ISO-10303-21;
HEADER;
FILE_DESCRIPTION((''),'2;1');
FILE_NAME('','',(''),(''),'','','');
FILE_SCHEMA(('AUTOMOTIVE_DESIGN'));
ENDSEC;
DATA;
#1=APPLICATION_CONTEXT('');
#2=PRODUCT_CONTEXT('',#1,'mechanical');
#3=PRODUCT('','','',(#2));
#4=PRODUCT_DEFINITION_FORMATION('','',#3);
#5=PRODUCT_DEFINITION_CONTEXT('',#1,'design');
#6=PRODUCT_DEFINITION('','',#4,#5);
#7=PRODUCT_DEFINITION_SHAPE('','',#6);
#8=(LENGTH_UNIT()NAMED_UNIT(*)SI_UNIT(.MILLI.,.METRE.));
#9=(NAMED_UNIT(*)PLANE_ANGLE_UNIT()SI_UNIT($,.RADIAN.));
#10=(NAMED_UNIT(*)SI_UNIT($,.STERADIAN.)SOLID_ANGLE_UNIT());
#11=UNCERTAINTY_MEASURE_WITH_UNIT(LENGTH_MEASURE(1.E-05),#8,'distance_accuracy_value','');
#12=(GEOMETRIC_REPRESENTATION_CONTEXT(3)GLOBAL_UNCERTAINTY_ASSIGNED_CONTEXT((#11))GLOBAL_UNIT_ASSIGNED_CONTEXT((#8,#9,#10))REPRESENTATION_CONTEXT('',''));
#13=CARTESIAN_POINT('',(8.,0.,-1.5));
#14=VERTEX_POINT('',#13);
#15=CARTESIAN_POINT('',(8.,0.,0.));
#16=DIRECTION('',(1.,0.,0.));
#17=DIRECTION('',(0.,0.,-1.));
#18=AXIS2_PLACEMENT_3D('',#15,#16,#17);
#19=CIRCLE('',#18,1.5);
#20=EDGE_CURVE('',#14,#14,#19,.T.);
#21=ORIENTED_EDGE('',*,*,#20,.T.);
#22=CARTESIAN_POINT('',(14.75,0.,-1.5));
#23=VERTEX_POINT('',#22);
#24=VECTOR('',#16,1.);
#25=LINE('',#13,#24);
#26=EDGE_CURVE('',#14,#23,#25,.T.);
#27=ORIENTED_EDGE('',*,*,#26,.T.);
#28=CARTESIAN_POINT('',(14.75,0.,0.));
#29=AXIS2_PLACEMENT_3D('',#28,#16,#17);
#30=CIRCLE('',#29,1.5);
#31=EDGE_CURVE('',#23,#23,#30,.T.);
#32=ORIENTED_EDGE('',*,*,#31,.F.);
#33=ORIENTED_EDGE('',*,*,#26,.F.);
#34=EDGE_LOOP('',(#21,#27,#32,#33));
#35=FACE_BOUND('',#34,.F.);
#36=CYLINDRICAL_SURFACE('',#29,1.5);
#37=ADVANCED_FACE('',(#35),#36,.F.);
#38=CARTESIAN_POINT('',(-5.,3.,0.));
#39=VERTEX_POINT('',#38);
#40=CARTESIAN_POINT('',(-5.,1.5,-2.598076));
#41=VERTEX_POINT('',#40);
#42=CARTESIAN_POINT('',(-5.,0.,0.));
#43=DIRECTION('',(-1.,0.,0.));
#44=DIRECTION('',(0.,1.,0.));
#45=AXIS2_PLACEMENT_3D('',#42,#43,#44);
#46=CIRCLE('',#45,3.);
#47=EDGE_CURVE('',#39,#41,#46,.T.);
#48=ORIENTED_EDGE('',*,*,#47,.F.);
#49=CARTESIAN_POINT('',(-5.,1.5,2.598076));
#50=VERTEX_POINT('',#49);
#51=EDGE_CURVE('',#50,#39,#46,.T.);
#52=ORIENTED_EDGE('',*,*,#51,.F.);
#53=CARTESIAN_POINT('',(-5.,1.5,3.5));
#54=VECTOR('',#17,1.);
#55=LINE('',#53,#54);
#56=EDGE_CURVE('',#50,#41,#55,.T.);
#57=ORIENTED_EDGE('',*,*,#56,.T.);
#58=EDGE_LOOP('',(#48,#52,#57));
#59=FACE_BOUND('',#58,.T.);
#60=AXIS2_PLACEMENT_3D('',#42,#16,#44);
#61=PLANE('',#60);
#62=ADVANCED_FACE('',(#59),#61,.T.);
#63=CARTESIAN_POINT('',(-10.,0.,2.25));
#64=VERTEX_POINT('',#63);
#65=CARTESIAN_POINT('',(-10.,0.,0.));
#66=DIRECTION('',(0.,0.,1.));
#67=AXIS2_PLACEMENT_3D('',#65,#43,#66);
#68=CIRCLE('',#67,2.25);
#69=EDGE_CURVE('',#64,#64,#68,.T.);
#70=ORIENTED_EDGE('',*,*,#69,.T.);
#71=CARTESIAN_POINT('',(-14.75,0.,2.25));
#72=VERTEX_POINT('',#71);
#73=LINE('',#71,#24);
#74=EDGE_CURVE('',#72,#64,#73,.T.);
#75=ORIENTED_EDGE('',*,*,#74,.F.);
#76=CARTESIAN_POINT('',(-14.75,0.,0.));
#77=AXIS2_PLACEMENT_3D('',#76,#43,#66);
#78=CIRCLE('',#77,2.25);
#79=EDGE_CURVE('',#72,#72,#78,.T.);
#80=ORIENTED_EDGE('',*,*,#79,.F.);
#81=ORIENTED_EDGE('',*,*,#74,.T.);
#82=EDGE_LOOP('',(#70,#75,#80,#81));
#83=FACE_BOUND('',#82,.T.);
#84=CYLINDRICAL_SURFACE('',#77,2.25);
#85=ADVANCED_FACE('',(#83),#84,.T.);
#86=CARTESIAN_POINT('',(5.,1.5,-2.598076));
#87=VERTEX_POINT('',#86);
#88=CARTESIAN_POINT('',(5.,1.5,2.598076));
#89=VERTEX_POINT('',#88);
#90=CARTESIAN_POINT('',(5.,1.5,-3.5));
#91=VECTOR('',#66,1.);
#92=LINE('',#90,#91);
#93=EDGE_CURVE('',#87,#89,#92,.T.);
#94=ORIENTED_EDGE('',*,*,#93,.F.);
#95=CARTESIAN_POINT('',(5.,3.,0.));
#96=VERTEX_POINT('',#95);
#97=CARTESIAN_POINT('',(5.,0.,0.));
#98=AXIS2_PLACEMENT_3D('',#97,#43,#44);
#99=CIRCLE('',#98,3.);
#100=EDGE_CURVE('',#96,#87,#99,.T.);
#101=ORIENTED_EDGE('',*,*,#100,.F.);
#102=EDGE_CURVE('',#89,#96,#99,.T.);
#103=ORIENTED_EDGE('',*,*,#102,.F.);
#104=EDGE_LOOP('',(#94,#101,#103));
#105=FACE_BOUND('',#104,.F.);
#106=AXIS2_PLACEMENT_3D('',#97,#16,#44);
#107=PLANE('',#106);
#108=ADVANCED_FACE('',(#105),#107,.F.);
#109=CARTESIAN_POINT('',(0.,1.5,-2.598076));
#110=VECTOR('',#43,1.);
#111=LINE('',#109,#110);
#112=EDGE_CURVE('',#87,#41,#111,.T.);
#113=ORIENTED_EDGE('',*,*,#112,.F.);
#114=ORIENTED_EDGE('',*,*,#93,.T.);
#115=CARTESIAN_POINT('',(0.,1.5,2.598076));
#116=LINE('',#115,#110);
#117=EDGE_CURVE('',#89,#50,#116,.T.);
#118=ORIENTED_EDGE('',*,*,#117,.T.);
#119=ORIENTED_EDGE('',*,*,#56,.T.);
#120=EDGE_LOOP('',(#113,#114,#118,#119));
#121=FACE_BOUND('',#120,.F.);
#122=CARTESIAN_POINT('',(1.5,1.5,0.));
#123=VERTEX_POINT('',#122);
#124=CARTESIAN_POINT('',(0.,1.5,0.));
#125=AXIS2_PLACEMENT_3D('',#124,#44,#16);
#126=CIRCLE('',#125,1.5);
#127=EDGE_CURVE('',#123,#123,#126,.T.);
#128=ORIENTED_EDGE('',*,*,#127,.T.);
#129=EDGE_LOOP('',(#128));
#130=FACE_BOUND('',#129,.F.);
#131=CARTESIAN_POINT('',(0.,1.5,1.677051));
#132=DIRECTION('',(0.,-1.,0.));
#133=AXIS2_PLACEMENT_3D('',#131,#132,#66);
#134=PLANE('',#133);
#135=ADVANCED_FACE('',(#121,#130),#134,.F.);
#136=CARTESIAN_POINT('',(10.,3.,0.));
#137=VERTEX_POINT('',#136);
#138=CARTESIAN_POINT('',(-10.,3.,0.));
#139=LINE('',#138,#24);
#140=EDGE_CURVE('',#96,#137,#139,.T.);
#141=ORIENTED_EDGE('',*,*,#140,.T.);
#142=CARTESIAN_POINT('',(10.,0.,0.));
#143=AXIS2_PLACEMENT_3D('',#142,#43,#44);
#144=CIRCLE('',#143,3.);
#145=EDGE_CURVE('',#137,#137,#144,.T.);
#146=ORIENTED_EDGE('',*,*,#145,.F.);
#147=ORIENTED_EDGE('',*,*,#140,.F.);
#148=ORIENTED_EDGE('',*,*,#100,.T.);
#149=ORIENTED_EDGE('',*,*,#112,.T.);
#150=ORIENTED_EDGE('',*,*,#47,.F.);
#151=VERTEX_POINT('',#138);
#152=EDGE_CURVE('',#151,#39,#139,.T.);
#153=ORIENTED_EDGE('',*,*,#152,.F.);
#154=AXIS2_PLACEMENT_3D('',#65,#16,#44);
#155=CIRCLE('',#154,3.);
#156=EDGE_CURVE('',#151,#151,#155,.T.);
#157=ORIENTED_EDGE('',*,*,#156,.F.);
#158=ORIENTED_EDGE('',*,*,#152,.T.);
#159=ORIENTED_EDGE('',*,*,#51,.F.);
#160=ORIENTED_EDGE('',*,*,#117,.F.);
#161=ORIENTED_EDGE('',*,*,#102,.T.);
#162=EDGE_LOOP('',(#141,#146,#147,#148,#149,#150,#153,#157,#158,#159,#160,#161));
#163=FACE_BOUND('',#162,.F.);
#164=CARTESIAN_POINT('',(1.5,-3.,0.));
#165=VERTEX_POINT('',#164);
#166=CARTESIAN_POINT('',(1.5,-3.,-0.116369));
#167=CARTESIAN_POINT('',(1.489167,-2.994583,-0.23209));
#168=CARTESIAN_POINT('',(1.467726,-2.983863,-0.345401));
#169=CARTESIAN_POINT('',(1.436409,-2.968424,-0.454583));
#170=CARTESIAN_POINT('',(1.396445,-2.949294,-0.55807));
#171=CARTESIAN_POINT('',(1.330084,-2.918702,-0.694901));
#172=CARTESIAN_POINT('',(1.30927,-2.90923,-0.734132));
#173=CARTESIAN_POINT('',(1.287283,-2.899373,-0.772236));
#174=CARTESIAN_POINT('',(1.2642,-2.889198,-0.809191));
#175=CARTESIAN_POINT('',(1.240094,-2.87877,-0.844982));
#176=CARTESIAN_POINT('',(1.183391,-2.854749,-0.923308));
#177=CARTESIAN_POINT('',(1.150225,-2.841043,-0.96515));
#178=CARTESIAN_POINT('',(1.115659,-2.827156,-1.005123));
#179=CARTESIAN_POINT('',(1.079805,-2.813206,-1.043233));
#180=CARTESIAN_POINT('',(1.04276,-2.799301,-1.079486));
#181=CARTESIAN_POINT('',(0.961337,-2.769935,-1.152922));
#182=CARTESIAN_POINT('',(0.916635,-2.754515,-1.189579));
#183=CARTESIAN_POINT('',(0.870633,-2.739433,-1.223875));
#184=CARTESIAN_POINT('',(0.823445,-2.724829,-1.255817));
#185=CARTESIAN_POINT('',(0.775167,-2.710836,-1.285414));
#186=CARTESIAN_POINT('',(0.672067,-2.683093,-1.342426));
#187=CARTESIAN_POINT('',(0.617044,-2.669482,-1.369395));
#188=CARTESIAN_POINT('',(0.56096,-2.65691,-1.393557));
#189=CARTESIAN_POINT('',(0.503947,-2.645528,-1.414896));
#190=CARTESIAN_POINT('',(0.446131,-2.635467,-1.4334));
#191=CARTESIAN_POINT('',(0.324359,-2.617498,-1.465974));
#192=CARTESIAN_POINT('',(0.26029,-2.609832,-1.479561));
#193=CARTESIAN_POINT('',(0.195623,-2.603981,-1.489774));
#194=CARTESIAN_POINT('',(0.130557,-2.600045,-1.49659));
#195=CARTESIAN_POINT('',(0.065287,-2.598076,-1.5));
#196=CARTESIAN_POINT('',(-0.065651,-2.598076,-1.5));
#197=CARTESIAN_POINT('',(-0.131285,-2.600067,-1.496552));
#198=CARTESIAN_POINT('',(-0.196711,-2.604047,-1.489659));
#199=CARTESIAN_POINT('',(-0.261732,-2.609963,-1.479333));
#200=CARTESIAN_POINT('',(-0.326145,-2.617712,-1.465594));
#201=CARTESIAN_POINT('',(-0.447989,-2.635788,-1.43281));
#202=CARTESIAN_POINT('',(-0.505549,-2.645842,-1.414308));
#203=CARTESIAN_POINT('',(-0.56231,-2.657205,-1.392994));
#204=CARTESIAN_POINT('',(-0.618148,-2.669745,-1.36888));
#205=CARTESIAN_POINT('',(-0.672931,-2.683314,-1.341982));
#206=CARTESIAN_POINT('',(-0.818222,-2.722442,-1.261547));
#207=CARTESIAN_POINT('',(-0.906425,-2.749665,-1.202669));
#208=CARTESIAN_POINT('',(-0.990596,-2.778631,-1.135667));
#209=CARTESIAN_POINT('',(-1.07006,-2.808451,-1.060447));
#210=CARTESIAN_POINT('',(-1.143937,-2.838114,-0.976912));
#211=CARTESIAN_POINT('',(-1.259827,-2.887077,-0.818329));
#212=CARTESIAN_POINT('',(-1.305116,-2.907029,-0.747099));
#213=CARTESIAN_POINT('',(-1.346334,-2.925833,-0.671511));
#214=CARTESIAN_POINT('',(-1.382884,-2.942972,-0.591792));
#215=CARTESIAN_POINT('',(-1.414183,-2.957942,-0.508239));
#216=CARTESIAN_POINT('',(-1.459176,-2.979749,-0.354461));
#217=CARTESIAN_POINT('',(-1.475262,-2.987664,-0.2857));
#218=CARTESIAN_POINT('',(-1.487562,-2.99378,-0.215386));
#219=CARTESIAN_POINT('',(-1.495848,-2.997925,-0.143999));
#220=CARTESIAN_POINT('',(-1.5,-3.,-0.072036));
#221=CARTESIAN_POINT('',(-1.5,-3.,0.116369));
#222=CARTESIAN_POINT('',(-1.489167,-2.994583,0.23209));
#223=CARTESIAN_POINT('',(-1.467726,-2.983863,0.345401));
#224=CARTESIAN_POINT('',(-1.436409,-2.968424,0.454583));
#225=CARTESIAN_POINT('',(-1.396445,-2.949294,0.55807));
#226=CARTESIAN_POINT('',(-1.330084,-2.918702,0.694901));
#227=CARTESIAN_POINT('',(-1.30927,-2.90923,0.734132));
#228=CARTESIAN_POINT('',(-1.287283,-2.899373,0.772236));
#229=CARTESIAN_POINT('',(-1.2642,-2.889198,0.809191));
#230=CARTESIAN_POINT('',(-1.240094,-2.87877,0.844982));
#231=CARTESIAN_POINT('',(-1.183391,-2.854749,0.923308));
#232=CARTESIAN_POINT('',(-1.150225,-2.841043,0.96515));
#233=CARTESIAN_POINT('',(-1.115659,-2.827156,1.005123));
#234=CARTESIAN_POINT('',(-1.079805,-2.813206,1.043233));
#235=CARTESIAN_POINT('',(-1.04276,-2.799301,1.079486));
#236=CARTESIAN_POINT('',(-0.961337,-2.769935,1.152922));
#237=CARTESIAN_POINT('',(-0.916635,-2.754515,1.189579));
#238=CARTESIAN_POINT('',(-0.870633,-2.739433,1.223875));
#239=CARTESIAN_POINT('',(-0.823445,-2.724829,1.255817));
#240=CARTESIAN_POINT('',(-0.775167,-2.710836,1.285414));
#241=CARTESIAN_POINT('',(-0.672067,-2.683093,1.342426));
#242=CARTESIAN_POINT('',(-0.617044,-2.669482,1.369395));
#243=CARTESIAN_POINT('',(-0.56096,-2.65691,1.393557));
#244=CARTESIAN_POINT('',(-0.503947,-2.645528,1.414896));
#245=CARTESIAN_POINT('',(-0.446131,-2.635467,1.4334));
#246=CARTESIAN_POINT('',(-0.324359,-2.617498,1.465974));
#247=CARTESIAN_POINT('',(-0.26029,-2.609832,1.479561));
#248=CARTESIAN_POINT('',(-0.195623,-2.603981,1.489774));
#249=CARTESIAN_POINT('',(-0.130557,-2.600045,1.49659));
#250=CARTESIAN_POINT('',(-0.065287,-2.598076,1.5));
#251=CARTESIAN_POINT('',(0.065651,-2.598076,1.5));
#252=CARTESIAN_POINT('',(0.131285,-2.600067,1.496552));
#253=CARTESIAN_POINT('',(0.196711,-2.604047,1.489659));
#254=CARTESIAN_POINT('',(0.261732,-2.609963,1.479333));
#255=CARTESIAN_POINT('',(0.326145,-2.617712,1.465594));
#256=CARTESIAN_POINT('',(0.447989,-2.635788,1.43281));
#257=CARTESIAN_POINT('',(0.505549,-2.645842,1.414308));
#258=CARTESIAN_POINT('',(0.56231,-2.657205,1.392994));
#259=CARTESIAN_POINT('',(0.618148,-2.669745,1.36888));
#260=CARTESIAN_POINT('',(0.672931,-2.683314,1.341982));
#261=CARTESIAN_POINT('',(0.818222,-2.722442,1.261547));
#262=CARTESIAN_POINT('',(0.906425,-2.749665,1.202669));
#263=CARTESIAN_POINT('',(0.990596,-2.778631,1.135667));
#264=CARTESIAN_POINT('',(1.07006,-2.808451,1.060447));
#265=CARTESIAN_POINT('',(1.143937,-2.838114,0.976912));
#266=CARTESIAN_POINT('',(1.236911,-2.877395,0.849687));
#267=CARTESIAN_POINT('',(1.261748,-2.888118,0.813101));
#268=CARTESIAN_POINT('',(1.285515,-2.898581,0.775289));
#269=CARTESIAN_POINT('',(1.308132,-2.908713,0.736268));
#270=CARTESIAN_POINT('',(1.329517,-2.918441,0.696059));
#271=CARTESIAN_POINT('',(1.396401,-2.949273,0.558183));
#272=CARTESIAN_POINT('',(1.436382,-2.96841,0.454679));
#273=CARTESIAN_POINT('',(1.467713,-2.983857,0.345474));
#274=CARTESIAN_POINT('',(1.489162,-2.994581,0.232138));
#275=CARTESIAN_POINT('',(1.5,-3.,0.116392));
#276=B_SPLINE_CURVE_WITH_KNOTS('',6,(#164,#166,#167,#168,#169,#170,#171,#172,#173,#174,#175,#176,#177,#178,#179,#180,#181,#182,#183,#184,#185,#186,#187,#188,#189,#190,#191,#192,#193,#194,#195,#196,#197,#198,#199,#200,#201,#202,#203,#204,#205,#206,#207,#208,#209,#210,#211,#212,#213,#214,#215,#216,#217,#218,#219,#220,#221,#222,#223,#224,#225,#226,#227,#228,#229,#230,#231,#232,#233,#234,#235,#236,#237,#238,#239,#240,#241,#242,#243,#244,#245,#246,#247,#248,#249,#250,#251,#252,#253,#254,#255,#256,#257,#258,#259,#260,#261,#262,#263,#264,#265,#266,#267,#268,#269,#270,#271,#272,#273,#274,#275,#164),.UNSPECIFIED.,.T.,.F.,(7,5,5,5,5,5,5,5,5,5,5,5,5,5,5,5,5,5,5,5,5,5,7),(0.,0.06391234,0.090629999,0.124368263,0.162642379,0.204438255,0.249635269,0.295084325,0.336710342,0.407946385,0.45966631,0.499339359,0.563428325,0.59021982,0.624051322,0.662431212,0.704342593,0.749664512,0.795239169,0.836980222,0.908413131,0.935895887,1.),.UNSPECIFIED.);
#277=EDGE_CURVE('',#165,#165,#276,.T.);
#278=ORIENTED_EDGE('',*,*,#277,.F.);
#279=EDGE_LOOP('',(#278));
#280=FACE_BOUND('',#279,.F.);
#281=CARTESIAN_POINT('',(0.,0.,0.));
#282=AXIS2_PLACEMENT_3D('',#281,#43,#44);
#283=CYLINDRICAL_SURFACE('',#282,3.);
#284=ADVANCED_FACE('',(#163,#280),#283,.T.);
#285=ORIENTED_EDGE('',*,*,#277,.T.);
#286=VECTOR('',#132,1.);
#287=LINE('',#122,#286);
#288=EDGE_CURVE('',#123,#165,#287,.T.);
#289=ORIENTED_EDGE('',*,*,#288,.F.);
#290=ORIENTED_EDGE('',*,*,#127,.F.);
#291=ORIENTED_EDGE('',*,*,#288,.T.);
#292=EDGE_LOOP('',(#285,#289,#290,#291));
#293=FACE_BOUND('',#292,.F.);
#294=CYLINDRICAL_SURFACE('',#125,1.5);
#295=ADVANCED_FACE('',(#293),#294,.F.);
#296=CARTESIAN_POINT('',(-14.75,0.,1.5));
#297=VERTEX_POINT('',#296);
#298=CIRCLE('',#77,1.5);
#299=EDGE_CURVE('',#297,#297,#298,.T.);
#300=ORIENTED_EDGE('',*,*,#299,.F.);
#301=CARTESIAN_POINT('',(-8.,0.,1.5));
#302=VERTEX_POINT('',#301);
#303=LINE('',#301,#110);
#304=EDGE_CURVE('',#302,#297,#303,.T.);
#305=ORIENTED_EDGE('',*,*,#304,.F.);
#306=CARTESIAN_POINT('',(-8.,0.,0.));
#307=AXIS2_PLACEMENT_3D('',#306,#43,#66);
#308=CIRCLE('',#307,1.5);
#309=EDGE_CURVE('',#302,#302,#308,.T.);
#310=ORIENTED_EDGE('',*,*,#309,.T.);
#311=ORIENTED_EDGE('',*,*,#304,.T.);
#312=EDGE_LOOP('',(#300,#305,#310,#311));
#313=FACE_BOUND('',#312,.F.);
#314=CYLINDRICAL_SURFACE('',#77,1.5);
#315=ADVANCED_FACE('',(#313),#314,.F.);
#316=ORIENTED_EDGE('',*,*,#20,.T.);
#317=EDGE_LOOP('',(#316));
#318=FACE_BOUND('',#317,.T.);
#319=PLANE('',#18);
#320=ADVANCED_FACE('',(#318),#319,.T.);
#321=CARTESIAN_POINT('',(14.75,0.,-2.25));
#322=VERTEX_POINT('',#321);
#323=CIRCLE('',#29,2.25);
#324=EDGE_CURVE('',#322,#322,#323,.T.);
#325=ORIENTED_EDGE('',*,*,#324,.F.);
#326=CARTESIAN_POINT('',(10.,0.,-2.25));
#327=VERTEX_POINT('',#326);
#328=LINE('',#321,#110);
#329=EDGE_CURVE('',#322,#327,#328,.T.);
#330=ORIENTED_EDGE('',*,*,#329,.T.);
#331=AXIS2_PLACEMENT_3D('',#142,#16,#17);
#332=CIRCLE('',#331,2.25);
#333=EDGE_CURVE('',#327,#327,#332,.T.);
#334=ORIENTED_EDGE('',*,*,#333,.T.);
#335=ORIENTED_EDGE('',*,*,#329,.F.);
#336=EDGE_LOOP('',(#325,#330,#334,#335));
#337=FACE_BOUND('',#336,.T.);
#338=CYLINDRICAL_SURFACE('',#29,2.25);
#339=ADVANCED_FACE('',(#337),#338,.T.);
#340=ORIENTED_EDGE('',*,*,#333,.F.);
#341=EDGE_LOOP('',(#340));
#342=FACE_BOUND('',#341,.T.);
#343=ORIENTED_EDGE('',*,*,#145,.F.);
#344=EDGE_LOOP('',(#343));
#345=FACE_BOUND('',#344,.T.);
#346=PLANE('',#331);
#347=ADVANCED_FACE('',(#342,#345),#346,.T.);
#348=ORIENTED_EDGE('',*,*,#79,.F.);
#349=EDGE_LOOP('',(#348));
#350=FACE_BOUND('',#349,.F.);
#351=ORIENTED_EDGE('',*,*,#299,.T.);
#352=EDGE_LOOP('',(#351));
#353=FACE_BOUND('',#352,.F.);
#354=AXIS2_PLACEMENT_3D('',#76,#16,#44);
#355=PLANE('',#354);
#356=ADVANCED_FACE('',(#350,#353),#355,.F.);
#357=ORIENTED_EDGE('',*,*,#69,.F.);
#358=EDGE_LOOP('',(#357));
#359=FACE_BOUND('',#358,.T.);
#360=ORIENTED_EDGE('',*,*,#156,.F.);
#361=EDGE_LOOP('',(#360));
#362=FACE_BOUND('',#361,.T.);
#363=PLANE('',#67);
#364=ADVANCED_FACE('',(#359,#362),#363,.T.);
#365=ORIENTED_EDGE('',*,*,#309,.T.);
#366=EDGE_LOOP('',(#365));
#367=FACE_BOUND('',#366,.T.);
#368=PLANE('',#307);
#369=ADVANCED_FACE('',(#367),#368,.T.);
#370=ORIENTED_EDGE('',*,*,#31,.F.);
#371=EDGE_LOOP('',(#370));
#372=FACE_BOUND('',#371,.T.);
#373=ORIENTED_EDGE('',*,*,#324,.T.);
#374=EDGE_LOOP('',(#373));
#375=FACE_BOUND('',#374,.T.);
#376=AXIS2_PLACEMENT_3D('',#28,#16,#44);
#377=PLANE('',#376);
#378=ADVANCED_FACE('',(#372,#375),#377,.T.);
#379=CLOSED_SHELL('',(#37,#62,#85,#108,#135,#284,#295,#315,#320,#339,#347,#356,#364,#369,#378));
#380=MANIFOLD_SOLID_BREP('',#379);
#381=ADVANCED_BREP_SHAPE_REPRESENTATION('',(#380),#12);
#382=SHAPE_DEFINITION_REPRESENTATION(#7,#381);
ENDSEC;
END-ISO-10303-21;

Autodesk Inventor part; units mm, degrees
ref_plane "YZ Plane" through (0, 0, 0) normal (1, 0, 0) x (0, 1, 0)
ref_plane "XZ Plane" through (0, 0, 0) normal (0, 1, 0) x (-1, 0, 0)
ref_plane "XY Plane" through (0, 0, 0) normal (0, 0, 1) x (1, 0, 0)
sketch "Sketch1" plane through (0, 0, 0) normal (1, 0, 0) x (0, 1, 0)
  circle A0 centre (0, 0) radius 3
  dimension "d0" = 6
extrude "Extrusion1" add sketch "Sketch1" along normal mid plane 29.5
sketch "Sketch2" plane through (14.75, 0, 0) normal (1, 0, 0) x (0, 0, -1)
  circle A0 centre (0, 0) radius 2.25
  circle A1 centre (0, 0) radius 1.5
  circle A2 centre (0, 0) radius 3
  dimension "d3" = 4.5
  dimension "d4" = 3
extrude "Extrusion2" cut sketch "Sketch2" against normal blind 4.75
sketch "Sketch3" plane through (-14.75, 0, 0) normal (-1, 0, 0) x (0, 0, 1)
  circle A0 centre (0, 0) radius 2.25
  circle A1 centre (0, 0) radius 1.5
  circle A2 centre (0, 0) radius 3
  dimension "d7" = 4.5
  dimension "d8" = 3
  dimension "d9" = 6
extrude "Extrusion3" cut sketch "Sketch3" against normal blind 4.75
sketch "Sketch4" plane through (0, 0, 0) normal (1, 0, 0) x (0, 1, 0)
  circle A0 centre (0, 0) radius 3 projected
  line L0 (3, 0) -> (1.5, 0)
  line L1 (1.5, 3.5) -> (3, 3.5)
  line L2 (3, 3.5) -> (3, -3.5)
  line L3 (3, -3.5) -> (1.5, -3.5)
  line L4 (1.5, -3.5) -> (1.5, 3.5)
  circle A1 centre (0, 0) radius 2.25 projected
  line L5 (1.5, 3.5) -> (3, -3.5) construction
  line L6 (3, 3.5) -> (1.5, -3.5) construction
  point P0 (2.25, 0)
  dimension "d12" = 1.5
  dimension "d13" = 7
extrude "Extrusion4" cut sketch "Sketch4" along normal mid plane 10 contours L0 A1 L4 A0 | L2 L3 L4 A0 | A0 L4 A1 L0 | A0 L4 L1 L2 | A1 L4 L0 | L0 L4 A1
sketch "Sketch5" plane through (-5, 1.5, -2.5981) normal (0, 1, 0) x (1, 0, 0)
  circle A0 centre (5, -2.5981) radius 1.5
  dimension "d16" = 3
extrude "Extrusion5" cut sketch "Sketch5" against normal through all
thread "Thread1" size "M3x0.5" class "6H" standard "ANSI Metric M Profile" full length
thread "Thread2" size "M3x0.5" class "6H" standard "ANSI Metric M Profile" full length
sketch "Sketch6" plane through (10, 0, 0) normal (1, 0, 0) x (0, 0, -1)
  circle A0 centre (0, 0) radius 1.5
extrude "Extrusion6" cut sketch "Sketch6" against normal blind 2
sketch "Sketch7" plane through (-10, 0, 0) normal (-1, 0, 0) x (0, 0, 1)
  circle A0 centre (0, 0) radius 1.5
extrude "Extrusion7" cut sketch "Sketch7" against normal blind 2
properties part number "Z25_Spacer" material "Aluminum 6061"
